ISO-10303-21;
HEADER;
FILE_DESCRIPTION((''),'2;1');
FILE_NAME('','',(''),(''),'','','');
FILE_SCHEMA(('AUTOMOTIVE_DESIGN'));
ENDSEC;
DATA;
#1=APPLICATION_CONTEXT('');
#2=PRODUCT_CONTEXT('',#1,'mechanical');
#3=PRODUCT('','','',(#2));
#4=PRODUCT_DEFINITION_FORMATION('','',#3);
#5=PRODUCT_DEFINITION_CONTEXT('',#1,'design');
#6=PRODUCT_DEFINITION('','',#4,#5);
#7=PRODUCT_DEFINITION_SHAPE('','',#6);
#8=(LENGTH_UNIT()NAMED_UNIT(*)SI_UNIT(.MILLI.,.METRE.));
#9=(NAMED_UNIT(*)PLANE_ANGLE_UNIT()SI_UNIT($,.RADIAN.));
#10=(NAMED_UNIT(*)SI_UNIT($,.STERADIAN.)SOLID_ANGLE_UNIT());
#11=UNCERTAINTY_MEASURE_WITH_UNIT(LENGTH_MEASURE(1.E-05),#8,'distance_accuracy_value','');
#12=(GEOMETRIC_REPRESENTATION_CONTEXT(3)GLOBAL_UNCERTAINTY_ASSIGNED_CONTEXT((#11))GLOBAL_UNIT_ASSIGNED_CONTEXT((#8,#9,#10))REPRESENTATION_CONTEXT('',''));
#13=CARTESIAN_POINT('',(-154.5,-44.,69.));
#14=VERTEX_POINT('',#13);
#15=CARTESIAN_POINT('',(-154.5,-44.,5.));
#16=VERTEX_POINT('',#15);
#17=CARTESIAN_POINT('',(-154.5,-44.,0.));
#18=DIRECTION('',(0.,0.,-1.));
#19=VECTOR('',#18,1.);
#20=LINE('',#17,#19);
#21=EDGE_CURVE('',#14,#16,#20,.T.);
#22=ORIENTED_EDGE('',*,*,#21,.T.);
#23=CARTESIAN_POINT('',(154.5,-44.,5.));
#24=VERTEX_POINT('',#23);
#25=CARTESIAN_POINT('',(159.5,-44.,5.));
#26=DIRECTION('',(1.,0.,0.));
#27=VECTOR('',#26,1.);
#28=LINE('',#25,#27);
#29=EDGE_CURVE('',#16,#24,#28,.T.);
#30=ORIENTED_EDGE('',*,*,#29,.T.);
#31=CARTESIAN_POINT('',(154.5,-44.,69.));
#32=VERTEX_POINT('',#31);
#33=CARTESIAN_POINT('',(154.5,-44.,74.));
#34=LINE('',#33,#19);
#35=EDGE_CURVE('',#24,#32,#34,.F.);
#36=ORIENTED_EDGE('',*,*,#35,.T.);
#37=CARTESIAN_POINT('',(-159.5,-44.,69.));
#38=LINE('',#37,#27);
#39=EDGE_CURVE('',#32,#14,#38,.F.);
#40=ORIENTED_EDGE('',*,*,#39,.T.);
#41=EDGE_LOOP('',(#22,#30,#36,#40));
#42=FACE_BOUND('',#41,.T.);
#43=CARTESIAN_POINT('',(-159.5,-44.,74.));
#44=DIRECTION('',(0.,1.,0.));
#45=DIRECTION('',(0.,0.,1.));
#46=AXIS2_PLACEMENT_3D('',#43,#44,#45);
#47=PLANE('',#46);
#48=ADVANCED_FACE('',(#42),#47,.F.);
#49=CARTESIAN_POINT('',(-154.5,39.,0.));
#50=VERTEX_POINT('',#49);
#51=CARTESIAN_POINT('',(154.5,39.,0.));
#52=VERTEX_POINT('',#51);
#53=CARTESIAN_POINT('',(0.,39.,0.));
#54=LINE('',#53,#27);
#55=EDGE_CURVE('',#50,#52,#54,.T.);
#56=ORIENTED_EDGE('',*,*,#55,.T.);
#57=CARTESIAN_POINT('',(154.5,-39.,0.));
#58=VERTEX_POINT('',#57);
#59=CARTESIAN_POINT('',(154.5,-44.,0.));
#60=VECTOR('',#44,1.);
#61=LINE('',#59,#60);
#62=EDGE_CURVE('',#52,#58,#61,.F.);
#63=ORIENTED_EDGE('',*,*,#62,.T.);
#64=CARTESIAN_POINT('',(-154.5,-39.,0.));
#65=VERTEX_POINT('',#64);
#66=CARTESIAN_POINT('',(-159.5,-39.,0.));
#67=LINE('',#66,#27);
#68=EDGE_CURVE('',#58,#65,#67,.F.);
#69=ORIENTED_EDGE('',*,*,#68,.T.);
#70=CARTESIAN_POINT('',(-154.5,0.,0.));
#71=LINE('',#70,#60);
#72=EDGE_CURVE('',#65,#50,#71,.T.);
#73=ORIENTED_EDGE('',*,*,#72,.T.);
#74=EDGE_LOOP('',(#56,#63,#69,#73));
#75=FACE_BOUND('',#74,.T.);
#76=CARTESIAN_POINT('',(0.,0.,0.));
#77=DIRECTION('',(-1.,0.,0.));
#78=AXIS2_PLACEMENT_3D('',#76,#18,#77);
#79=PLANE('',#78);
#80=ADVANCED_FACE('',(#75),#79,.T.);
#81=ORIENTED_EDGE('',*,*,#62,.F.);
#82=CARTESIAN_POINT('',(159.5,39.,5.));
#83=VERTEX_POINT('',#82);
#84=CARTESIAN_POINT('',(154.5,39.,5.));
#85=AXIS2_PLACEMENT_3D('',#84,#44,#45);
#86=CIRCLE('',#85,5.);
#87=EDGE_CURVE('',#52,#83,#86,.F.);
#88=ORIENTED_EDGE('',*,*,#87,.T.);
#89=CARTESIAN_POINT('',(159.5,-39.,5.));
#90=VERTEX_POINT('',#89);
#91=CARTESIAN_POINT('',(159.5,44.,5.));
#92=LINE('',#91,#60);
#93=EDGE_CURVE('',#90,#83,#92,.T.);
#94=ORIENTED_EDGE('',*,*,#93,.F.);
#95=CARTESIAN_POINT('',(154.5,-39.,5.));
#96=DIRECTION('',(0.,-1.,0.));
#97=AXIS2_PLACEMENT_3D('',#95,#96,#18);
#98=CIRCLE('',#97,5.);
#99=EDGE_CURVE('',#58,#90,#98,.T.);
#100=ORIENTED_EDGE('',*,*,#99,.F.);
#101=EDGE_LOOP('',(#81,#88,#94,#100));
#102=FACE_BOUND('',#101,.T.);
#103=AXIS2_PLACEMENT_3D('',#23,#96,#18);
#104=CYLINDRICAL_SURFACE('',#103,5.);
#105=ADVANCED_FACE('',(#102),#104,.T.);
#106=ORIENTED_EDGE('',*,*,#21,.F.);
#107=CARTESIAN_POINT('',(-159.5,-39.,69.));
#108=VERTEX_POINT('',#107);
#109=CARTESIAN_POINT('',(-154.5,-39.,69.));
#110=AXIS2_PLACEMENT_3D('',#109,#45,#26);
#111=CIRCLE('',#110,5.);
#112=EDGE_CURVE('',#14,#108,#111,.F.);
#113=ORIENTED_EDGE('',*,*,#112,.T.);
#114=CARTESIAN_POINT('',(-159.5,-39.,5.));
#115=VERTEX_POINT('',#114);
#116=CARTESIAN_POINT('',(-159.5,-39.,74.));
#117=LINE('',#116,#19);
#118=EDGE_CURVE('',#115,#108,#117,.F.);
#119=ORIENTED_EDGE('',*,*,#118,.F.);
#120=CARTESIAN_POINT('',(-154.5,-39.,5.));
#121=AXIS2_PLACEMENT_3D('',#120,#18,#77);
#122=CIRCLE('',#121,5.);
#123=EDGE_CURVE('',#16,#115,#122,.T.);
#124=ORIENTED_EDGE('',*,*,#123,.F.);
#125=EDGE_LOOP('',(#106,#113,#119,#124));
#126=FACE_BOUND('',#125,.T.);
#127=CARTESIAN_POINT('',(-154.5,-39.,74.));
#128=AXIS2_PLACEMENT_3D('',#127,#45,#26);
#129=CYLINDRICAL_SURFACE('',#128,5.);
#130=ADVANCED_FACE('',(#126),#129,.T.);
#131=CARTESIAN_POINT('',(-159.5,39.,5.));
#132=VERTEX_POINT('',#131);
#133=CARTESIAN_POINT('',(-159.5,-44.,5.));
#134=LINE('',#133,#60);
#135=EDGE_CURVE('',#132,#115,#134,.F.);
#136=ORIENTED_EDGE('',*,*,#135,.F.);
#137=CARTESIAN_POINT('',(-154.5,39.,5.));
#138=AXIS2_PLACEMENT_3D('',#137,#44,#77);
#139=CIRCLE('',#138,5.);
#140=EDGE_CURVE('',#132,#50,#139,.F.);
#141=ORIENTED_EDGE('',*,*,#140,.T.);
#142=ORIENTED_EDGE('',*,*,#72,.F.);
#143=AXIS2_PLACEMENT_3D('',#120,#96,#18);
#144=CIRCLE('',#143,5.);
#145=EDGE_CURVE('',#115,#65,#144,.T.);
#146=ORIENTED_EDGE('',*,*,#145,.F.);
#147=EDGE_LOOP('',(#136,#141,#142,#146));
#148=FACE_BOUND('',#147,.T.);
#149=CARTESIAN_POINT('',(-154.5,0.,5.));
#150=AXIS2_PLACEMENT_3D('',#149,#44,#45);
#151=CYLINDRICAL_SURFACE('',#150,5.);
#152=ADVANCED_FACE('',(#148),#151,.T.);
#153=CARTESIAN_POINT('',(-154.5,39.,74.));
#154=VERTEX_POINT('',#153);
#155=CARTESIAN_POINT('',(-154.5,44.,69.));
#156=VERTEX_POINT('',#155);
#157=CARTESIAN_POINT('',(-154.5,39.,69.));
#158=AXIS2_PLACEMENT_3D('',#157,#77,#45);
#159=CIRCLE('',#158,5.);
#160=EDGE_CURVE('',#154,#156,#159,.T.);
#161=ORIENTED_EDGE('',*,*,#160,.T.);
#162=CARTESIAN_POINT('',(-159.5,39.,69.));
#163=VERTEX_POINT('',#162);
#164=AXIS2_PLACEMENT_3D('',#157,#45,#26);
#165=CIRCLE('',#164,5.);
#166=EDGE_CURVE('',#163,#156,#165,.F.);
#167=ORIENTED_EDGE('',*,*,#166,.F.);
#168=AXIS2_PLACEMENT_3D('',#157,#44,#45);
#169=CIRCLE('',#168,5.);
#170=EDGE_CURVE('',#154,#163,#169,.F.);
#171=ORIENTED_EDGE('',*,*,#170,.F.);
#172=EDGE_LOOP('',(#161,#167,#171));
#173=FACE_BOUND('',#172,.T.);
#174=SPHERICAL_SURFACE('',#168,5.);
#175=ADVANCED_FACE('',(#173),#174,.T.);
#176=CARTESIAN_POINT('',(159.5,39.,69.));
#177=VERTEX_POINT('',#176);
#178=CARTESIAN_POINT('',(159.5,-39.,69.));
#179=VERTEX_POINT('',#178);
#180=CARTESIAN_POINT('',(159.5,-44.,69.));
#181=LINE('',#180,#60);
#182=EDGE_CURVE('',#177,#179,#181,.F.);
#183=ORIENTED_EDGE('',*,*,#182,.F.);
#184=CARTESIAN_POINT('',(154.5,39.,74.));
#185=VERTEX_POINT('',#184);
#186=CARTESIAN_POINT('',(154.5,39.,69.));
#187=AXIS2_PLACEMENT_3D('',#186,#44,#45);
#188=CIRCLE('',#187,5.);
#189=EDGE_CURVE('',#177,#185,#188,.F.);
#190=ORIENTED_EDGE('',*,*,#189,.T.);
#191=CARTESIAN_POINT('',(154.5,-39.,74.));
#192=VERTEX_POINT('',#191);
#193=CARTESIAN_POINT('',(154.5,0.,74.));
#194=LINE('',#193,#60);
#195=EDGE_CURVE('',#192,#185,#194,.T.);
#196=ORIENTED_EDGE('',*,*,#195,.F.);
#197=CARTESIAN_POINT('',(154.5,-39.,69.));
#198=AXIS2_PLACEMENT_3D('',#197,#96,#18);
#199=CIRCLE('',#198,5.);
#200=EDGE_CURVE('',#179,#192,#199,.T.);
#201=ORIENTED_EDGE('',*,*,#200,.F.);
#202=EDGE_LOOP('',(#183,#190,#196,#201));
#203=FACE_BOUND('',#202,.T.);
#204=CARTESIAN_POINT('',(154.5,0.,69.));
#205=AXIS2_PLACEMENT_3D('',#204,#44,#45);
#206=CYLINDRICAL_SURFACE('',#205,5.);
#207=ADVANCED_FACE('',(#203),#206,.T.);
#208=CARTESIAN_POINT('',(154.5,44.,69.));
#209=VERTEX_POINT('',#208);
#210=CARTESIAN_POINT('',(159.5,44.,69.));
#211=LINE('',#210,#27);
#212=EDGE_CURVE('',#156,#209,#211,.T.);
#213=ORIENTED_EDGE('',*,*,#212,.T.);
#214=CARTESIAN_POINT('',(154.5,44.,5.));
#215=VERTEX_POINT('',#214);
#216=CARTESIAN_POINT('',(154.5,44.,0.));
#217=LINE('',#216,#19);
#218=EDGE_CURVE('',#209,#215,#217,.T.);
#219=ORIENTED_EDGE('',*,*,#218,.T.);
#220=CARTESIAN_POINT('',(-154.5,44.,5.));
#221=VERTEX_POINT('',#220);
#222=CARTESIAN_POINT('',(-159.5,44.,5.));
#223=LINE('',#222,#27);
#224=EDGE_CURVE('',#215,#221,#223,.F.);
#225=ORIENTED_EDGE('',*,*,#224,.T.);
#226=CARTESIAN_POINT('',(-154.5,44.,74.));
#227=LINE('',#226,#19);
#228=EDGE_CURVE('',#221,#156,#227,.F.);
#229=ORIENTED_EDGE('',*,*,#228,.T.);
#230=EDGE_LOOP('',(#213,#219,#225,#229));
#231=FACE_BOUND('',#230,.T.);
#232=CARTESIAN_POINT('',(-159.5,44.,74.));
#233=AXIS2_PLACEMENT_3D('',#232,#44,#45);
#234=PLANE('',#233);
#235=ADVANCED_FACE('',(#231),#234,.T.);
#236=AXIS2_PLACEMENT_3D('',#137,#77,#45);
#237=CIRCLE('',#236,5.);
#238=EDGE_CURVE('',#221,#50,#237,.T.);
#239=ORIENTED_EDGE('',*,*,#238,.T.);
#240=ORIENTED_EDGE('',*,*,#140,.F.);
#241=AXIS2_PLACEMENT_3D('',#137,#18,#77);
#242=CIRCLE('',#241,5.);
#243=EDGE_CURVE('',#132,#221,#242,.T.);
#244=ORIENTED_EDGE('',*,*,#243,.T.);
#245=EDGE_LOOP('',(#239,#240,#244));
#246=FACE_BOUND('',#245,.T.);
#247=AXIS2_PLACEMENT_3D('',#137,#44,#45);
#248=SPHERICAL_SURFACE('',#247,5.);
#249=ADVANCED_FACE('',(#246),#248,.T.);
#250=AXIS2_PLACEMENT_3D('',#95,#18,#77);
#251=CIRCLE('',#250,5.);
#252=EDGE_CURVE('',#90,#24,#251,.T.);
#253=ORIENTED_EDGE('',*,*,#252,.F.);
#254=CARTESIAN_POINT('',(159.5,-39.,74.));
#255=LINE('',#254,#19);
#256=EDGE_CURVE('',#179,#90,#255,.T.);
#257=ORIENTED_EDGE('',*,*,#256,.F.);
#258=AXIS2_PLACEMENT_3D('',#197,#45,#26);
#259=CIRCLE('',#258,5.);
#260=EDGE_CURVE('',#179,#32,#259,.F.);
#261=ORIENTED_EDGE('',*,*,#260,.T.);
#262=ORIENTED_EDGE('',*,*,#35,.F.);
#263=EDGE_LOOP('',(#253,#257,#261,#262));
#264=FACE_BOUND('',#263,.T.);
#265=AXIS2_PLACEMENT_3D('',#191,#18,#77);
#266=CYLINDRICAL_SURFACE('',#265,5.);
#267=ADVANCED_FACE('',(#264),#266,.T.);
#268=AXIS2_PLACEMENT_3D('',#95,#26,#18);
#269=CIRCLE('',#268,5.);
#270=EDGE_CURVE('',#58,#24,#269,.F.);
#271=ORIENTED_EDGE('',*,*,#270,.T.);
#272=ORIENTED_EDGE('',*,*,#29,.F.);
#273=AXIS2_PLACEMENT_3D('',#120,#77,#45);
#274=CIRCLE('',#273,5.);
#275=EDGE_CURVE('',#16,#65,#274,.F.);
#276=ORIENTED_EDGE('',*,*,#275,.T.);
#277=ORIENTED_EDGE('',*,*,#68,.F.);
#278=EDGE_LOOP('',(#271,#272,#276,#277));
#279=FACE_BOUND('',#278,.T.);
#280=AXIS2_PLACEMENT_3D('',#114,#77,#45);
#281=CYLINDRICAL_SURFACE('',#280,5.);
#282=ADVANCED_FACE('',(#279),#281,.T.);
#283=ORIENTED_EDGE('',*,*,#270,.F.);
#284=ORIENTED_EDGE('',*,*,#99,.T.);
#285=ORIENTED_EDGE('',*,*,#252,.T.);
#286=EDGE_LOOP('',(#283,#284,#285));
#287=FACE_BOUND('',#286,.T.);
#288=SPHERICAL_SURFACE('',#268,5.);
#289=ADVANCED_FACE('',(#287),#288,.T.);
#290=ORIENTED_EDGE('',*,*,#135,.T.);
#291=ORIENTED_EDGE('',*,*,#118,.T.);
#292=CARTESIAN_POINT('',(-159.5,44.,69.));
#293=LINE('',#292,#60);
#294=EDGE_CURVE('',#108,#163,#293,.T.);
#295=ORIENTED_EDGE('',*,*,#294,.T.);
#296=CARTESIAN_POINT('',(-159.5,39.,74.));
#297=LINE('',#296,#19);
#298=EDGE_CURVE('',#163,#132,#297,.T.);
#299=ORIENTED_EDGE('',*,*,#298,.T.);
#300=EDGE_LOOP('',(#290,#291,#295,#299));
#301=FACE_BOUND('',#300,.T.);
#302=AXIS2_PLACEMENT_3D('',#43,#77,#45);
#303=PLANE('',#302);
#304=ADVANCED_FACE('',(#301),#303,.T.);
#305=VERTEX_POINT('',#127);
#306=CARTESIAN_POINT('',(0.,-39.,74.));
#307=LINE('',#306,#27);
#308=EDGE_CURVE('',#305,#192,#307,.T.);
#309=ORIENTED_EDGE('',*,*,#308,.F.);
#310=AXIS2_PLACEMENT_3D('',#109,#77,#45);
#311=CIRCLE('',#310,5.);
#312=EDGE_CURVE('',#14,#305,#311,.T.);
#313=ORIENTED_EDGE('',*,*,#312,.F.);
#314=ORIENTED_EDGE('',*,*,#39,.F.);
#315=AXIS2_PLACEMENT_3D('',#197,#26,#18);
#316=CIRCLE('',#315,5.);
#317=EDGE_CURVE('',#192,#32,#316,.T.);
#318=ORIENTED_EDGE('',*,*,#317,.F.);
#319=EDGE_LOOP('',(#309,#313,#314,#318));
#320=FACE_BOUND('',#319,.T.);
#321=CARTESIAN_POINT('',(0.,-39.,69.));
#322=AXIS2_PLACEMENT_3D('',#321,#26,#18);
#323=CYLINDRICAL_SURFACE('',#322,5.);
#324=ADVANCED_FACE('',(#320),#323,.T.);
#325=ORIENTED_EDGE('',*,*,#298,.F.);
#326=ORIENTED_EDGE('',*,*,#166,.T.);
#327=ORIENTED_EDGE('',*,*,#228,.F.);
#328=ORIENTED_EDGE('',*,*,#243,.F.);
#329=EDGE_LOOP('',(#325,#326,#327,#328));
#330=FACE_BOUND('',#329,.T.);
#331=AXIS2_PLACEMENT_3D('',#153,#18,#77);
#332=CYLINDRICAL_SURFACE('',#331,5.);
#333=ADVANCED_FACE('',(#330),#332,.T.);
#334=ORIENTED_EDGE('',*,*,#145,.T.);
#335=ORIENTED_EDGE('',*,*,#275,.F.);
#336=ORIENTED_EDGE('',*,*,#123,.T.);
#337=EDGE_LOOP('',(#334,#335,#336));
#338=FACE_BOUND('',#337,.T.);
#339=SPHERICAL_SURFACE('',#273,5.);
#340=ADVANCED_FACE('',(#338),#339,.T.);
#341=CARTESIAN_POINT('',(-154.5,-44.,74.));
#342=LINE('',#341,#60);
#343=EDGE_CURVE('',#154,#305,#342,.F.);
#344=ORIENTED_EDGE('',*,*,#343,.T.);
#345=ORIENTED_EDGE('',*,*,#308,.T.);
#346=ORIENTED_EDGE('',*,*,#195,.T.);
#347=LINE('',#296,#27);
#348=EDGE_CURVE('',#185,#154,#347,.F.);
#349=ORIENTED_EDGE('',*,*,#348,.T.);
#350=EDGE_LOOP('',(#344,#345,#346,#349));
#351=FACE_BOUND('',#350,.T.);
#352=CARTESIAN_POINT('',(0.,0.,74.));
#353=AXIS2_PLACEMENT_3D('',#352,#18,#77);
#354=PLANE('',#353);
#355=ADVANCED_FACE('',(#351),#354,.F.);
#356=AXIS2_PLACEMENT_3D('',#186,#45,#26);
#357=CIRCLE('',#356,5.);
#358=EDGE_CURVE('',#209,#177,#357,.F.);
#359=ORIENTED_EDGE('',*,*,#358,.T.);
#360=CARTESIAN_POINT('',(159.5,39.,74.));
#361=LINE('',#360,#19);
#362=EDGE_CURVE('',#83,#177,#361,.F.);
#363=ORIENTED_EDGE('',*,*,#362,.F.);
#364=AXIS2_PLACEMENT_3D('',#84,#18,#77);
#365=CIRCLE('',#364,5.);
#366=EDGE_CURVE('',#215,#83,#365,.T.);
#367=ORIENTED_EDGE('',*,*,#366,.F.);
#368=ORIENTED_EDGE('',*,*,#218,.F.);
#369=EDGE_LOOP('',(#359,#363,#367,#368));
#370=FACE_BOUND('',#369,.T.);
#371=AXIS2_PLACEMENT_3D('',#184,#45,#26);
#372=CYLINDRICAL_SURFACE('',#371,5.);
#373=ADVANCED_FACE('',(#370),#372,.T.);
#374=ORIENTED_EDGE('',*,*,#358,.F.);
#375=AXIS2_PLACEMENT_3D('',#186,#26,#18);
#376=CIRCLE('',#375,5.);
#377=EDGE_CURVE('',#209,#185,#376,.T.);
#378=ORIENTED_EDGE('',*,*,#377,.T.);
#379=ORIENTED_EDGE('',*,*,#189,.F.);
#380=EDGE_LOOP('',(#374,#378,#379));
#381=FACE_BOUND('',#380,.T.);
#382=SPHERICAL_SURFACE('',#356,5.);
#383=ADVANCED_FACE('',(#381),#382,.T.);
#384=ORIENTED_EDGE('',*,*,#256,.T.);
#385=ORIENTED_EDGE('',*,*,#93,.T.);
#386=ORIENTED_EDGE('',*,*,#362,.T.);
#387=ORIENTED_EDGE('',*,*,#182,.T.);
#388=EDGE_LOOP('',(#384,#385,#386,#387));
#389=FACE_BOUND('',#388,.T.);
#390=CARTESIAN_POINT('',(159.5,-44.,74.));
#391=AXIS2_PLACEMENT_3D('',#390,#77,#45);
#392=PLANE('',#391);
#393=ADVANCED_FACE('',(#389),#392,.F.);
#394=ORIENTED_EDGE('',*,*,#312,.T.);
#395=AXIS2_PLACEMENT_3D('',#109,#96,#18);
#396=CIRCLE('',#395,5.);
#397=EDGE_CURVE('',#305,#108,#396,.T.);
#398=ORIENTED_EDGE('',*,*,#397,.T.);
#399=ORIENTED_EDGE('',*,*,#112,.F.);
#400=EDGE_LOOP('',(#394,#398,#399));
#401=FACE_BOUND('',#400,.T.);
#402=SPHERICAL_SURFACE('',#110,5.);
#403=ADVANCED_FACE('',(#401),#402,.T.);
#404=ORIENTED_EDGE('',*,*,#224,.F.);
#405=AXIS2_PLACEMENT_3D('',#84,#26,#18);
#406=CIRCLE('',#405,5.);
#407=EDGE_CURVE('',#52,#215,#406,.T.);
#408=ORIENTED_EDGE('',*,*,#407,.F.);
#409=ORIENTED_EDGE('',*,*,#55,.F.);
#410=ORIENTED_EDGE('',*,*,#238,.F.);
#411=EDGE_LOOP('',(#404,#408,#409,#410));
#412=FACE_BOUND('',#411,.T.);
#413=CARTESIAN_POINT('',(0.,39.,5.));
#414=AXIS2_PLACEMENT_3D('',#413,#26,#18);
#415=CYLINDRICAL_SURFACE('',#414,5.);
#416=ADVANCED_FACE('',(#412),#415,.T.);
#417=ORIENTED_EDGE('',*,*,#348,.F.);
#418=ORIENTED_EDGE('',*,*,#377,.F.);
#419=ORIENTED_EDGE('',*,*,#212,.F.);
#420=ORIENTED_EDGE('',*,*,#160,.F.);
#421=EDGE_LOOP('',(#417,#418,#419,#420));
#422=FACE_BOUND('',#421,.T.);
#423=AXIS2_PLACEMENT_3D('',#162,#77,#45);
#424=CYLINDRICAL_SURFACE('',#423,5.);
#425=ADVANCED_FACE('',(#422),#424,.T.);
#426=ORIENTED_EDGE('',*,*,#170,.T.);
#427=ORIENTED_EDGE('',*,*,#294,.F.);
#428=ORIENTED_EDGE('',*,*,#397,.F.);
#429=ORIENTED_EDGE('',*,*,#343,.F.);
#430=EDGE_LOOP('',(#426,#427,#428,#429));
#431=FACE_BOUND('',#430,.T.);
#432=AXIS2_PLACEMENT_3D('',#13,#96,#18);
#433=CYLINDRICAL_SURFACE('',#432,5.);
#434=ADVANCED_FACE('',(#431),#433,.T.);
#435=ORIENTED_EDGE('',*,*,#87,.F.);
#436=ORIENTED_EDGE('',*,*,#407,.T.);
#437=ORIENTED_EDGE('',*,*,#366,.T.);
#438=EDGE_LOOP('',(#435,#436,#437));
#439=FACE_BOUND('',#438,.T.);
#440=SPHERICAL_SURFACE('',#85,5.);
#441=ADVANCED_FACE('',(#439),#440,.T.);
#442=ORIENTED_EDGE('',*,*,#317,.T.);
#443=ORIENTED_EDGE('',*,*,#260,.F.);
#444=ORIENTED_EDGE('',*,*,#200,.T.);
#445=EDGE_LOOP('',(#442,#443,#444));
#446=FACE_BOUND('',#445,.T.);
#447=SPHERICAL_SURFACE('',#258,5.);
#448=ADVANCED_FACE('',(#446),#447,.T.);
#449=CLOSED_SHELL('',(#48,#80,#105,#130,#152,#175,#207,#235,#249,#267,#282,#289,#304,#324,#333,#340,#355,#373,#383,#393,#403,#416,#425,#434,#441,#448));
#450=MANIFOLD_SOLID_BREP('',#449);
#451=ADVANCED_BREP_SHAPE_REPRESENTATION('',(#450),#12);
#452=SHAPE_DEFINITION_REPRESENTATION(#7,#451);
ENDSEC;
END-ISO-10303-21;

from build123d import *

# Parameters (mm, degrees)
SKETCH1_W           = 319
SKETCH1_H           = 88
BOSS_EXTRUDE1_DEPTH = 74
FILLET1_R           = 5


with BuildPart() as part:
    # Sketch1 → Boss-Extrude1 (new body)
    with BuildSketch(Plane.XY):
        Rectangle(SKETCH1_W, SKETCH1_H)
    extrude(amount=BOSS_EXTRUDE1_DEPTH)

    # Fillet1
    fillet1_edges = [part.edges().sort_by_distance(p)[0] for p in [
        (159.5, 0, 74),
        (0, -44, 74),
        (-159.5, 0, 74),
        (0, -44, 0),
        (159.5, 0, 0),
        (0, 44, 0),
        (-159.5, 0, 0),
        (-159.5, -44, 37),
        (159.5, -44, 37),
        (159.5, 44, 37),
        (-159.5, 44, 37),
        (0, 44, 74),
    ]]
    fillet(fillet1_edges, radius=FILLET1_R)


solid = part.part
